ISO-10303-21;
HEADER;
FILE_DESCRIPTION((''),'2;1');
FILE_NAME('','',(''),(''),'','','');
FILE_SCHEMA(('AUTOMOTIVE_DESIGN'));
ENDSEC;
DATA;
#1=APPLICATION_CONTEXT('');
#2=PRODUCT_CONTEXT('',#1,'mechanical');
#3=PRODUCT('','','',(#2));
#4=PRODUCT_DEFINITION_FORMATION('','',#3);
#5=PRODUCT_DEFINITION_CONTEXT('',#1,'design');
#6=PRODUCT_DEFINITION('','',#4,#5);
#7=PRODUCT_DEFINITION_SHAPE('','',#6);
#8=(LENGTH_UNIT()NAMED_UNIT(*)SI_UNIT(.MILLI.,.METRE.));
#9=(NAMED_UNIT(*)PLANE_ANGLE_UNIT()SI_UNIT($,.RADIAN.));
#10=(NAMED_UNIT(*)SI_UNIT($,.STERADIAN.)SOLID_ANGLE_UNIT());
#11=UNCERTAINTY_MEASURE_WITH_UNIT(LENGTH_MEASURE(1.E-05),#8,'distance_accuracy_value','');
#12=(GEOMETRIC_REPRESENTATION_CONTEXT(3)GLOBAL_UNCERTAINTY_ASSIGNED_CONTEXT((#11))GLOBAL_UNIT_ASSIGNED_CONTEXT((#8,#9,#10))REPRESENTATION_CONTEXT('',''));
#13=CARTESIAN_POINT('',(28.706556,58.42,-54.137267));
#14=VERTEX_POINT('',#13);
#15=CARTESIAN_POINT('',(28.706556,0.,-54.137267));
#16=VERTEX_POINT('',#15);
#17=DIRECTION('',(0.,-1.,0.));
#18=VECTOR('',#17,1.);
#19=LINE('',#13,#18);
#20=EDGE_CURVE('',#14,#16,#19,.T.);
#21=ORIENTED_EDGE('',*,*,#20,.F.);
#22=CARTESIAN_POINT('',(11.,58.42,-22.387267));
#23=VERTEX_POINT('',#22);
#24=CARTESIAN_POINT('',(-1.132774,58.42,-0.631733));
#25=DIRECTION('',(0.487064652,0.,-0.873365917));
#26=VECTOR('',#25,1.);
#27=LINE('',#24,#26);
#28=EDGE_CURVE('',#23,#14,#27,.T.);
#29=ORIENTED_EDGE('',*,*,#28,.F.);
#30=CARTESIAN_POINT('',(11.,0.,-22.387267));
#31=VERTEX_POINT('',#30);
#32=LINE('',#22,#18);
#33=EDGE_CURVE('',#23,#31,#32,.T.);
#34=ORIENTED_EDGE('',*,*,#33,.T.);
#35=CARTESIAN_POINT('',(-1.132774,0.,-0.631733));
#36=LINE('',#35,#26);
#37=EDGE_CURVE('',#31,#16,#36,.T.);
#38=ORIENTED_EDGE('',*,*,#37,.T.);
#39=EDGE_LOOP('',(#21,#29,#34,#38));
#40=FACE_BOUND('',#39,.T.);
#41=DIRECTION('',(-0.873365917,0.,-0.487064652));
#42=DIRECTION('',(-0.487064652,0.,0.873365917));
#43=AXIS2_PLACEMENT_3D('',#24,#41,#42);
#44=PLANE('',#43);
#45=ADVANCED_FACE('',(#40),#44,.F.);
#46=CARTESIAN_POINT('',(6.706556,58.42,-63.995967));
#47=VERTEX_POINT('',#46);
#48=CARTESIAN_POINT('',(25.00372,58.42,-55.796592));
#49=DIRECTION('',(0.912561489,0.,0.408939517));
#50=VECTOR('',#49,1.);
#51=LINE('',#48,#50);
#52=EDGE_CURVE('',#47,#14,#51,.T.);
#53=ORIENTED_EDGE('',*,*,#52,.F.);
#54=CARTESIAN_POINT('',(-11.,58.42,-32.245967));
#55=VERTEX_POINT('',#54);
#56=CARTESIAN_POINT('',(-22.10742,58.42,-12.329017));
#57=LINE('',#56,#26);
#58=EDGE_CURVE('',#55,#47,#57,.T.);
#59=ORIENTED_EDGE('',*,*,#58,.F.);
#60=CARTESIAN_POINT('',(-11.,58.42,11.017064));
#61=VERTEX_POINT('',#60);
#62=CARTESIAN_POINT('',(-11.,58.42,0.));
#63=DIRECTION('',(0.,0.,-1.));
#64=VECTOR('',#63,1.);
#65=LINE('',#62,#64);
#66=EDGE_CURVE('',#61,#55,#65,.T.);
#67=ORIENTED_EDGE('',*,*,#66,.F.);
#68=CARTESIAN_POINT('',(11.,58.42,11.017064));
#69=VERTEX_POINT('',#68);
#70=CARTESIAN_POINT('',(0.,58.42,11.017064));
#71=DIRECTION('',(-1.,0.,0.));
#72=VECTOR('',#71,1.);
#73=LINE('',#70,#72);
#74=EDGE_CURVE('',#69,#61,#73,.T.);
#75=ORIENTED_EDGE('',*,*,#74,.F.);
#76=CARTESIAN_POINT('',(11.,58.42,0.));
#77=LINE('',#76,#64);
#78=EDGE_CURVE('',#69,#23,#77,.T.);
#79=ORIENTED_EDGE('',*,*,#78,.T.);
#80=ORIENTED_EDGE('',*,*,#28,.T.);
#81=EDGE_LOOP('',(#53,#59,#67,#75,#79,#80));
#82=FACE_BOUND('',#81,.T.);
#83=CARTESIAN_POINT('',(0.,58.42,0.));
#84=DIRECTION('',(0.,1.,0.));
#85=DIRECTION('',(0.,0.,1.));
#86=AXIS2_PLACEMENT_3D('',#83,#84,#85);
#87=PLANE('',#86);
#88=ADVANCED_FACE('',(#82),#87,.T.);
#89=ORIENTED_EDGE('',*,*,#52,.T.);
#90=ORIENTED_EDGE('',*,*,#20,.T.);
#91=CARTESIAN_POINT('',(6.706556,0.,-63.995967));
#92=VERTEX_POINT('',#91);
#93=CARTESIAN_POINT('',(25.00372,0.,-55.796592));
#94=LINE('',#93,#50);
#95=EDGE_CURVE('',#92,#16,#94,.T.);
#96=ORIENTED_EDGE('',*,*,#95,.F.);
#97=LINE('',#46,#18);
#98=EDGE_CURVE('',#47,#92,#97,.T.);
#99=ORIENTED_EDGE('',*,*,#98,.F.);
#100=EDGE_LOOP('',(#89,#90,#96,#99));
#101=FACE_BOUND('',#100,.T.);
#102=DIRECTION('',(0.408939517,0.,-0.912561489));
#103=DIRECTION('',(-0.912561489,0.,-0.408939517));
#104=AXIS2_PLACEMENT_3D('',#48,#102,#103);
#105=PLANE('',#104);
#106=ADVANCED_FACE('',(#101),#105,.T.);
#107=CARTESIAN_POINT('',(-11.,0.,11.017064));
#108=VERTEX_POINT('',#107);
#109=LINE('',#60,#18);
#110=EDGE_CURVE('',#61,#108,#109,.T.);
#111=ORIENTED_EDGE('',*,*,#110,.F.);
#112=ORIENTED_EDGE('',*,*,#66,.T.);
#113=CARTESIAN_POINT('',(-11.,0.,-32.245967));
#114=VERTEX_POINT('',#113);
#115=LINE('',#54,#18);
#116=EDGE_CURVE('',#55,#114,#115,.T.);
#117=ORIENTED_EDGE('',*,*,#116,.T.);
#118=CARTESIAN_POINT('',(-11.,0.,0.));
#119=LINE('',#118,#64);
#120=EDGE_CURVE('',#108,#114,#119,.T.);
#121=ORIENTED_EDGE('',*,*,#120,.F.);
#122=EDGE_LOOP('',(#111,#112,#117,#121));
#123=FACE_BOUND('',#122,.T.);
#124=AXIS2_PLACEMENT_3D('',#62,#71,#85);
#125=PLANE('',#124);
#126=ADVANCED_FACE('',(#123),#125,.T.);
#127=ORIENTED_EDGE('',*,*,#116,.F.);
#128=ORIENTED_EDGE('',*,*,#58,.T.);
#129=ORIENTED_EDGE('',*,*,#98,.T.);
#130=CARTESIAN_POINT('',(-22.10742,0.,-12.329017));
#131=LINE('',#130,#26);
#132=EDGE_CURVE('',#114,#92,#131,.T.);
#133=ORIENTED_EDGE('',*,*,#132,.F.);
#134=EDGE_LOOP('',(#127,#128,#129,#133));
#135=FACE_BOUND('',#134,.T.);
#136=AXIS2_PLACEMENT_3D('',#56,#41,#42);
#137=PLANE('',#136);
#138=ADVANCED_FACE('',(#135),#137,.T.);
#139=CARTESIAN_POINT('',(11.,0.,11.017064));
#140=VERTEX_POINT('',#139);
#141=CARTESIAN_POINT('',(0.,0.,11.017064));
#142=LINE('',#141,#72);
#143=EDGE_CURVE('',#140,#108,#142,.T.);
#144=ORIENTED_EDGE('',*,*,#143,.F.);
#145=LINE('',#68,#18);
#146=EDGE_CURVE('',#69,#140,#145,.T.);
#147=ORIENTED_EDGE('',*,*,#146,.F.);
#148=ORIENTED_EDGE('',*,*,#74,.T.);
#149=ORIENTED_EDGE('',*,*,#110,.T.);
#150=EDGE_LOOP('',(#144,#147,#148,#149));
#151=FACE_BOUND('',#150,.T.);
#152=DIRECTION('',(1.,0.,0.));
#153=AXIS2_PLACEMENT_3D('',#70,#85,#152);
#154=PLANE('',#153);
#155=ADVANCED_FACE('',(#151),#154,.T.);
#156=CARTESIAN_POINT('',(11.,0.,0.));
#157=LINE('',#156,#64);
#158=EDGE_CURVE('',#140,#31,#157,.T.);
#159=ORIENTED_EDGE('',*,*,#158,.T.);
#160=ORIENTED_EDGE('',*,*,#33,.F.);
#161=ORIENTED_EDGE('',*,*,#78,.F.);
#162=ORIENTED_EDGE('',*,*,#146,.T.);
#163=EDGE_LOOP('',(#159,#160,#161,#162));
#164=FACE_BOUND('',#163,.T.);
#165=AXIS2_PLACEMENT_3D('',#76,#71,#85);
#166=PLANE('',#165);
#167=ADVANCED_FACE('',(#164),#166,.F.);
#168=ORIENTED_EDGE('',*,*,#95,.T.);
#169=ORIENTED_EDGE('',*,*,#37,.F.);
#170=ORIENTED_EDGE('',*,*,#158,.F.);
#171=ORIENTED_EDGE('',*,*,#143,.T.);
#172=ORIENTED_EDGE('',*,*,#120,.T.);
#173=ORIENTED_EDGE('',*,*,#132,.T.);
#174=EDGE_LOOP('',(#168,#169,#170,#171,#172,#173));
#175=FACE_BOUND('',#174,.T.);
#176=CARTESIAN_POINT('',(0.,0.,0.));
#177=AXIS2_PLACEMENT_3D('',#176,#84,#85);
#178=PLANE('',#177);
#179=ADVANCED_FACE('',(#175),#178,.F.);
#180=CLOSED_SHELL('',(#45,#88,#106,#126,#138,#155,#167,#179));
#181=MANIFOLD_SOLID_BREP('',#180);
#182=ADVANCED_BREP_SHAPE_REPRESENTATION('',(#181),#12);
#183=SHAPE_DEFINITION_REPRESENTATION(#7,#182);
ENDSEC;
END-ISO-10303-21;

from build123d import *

# Parameters (mm, degrees)
BOSS_EXTRUDE1_DEPTH = 58.42


with BuildPart() as part:
    # Sketch1 → Boss-Extrude1 (new body)
    with BuildSketch(Plane(origin=(0, 0, 0), x_dir=(1, 0, 0), z_dir=(0, 1, 0))):
        Polygon((-11, 32.245966686), (0, 32.245966686), (11, 32.245966686), (11, 22.387267321), (28.706556195, 54.137267321), (6.706556195, 63.995966686), align=None)
        Polygon((11, 32.245966686), (0, 32.245966686), (0, 27.316617003), (11, 22.387267321), align=None)
        with BuildLine():
            Line((11, 22.387267321), (0, 27.316617003))
            Line((0, 27.316617003), (0, 24.413342341))
            ThreePointArc((0, 24.413342341), (3.049993619, 23.149993619), (4.313342341, 20.1))
            ThreePointArc((4.313342341, 20.1), (3.049993619, 17.050006381), (0, 15.786657659))
            Line((0, 15.786657659), (0, 4.27242655))
            ThreePointArc((0, 4.27242655), (3.021061785, 3.021061785), (4.27242655, 0))
            ThreePointArc((4.27242655, 0), (3.021061785, -3.021061785), (0, -4.27242655))
            Line((0, -4.27242655), (0, -11.017064321))
            Line((0, -11.017064321), (11, -11.017064321))
            Line((11, -11.017064321), (11, 22.387267321))
        make_face()
        Polygon((0, 27.316617003), (0, 32.245966686), (-11, 32.245966686), align=None)
        with BuildLine():
            Line((0, 24.413342341), (0, 27.316617003))
            Line((0, 27.316617003), (-11, 32.245966686))
            Line((-11, 32.245966686), (-11, -11.017064321))
            Line((-11, -11.017064321), (0, -11.017064321))
            Line((0, -11.017064321), (0, -4.27242655))
            ThreePointArc((0, -4.27242655), (-4.27242655, 0), (0, 4.27242655))
            Line((0, 4.27242655), (0, 15.786657659))
            ThreePointArc((0, 15.786657659), (-4.313342341, 20.1), (0, 24.413342341))
        make_face()
        with BuildLine():
            ThreePointArc((4.313342341, 20.1), (3.049993619, 23.149993619), (0, 24.413342341))
            Line((0, 24.413342341), (0, 15.786657659))
            ThreePointArc((0, 15.786657659), (3.049993619, 17.050006381), (4.313342341, 20.1))
        make_face()
        with BuildLine():
            Line((0, 15.786657659), (0, 24.413342341))
            ThreePointArc((0, 24.413342341), (-4.313342341, 20.1), (0, 15.786657659))
        make_face()
        with BuildLine():
            ThreePointArc((4.27242655, 0), (3.021061785, 3.021061785), (0, 4.27242655))
            Line((0, 4.27242655), (0, -4.27242655))
            ThreePointArc((0, -4.27242655), (3.021061785, -3.021061785), (4.27242655, 0))
        make_face()
        with BuildLine():
            Line((0, -4.27242655), (0, 4.27242655))
            ThreePointArc((0, 4.27242655), (-4.27242655, 0), (0, -4.27242655))
        make_face()
    extrude(amount=BOSS_EXTRUDE1_DEPTH)


solid = part.part
